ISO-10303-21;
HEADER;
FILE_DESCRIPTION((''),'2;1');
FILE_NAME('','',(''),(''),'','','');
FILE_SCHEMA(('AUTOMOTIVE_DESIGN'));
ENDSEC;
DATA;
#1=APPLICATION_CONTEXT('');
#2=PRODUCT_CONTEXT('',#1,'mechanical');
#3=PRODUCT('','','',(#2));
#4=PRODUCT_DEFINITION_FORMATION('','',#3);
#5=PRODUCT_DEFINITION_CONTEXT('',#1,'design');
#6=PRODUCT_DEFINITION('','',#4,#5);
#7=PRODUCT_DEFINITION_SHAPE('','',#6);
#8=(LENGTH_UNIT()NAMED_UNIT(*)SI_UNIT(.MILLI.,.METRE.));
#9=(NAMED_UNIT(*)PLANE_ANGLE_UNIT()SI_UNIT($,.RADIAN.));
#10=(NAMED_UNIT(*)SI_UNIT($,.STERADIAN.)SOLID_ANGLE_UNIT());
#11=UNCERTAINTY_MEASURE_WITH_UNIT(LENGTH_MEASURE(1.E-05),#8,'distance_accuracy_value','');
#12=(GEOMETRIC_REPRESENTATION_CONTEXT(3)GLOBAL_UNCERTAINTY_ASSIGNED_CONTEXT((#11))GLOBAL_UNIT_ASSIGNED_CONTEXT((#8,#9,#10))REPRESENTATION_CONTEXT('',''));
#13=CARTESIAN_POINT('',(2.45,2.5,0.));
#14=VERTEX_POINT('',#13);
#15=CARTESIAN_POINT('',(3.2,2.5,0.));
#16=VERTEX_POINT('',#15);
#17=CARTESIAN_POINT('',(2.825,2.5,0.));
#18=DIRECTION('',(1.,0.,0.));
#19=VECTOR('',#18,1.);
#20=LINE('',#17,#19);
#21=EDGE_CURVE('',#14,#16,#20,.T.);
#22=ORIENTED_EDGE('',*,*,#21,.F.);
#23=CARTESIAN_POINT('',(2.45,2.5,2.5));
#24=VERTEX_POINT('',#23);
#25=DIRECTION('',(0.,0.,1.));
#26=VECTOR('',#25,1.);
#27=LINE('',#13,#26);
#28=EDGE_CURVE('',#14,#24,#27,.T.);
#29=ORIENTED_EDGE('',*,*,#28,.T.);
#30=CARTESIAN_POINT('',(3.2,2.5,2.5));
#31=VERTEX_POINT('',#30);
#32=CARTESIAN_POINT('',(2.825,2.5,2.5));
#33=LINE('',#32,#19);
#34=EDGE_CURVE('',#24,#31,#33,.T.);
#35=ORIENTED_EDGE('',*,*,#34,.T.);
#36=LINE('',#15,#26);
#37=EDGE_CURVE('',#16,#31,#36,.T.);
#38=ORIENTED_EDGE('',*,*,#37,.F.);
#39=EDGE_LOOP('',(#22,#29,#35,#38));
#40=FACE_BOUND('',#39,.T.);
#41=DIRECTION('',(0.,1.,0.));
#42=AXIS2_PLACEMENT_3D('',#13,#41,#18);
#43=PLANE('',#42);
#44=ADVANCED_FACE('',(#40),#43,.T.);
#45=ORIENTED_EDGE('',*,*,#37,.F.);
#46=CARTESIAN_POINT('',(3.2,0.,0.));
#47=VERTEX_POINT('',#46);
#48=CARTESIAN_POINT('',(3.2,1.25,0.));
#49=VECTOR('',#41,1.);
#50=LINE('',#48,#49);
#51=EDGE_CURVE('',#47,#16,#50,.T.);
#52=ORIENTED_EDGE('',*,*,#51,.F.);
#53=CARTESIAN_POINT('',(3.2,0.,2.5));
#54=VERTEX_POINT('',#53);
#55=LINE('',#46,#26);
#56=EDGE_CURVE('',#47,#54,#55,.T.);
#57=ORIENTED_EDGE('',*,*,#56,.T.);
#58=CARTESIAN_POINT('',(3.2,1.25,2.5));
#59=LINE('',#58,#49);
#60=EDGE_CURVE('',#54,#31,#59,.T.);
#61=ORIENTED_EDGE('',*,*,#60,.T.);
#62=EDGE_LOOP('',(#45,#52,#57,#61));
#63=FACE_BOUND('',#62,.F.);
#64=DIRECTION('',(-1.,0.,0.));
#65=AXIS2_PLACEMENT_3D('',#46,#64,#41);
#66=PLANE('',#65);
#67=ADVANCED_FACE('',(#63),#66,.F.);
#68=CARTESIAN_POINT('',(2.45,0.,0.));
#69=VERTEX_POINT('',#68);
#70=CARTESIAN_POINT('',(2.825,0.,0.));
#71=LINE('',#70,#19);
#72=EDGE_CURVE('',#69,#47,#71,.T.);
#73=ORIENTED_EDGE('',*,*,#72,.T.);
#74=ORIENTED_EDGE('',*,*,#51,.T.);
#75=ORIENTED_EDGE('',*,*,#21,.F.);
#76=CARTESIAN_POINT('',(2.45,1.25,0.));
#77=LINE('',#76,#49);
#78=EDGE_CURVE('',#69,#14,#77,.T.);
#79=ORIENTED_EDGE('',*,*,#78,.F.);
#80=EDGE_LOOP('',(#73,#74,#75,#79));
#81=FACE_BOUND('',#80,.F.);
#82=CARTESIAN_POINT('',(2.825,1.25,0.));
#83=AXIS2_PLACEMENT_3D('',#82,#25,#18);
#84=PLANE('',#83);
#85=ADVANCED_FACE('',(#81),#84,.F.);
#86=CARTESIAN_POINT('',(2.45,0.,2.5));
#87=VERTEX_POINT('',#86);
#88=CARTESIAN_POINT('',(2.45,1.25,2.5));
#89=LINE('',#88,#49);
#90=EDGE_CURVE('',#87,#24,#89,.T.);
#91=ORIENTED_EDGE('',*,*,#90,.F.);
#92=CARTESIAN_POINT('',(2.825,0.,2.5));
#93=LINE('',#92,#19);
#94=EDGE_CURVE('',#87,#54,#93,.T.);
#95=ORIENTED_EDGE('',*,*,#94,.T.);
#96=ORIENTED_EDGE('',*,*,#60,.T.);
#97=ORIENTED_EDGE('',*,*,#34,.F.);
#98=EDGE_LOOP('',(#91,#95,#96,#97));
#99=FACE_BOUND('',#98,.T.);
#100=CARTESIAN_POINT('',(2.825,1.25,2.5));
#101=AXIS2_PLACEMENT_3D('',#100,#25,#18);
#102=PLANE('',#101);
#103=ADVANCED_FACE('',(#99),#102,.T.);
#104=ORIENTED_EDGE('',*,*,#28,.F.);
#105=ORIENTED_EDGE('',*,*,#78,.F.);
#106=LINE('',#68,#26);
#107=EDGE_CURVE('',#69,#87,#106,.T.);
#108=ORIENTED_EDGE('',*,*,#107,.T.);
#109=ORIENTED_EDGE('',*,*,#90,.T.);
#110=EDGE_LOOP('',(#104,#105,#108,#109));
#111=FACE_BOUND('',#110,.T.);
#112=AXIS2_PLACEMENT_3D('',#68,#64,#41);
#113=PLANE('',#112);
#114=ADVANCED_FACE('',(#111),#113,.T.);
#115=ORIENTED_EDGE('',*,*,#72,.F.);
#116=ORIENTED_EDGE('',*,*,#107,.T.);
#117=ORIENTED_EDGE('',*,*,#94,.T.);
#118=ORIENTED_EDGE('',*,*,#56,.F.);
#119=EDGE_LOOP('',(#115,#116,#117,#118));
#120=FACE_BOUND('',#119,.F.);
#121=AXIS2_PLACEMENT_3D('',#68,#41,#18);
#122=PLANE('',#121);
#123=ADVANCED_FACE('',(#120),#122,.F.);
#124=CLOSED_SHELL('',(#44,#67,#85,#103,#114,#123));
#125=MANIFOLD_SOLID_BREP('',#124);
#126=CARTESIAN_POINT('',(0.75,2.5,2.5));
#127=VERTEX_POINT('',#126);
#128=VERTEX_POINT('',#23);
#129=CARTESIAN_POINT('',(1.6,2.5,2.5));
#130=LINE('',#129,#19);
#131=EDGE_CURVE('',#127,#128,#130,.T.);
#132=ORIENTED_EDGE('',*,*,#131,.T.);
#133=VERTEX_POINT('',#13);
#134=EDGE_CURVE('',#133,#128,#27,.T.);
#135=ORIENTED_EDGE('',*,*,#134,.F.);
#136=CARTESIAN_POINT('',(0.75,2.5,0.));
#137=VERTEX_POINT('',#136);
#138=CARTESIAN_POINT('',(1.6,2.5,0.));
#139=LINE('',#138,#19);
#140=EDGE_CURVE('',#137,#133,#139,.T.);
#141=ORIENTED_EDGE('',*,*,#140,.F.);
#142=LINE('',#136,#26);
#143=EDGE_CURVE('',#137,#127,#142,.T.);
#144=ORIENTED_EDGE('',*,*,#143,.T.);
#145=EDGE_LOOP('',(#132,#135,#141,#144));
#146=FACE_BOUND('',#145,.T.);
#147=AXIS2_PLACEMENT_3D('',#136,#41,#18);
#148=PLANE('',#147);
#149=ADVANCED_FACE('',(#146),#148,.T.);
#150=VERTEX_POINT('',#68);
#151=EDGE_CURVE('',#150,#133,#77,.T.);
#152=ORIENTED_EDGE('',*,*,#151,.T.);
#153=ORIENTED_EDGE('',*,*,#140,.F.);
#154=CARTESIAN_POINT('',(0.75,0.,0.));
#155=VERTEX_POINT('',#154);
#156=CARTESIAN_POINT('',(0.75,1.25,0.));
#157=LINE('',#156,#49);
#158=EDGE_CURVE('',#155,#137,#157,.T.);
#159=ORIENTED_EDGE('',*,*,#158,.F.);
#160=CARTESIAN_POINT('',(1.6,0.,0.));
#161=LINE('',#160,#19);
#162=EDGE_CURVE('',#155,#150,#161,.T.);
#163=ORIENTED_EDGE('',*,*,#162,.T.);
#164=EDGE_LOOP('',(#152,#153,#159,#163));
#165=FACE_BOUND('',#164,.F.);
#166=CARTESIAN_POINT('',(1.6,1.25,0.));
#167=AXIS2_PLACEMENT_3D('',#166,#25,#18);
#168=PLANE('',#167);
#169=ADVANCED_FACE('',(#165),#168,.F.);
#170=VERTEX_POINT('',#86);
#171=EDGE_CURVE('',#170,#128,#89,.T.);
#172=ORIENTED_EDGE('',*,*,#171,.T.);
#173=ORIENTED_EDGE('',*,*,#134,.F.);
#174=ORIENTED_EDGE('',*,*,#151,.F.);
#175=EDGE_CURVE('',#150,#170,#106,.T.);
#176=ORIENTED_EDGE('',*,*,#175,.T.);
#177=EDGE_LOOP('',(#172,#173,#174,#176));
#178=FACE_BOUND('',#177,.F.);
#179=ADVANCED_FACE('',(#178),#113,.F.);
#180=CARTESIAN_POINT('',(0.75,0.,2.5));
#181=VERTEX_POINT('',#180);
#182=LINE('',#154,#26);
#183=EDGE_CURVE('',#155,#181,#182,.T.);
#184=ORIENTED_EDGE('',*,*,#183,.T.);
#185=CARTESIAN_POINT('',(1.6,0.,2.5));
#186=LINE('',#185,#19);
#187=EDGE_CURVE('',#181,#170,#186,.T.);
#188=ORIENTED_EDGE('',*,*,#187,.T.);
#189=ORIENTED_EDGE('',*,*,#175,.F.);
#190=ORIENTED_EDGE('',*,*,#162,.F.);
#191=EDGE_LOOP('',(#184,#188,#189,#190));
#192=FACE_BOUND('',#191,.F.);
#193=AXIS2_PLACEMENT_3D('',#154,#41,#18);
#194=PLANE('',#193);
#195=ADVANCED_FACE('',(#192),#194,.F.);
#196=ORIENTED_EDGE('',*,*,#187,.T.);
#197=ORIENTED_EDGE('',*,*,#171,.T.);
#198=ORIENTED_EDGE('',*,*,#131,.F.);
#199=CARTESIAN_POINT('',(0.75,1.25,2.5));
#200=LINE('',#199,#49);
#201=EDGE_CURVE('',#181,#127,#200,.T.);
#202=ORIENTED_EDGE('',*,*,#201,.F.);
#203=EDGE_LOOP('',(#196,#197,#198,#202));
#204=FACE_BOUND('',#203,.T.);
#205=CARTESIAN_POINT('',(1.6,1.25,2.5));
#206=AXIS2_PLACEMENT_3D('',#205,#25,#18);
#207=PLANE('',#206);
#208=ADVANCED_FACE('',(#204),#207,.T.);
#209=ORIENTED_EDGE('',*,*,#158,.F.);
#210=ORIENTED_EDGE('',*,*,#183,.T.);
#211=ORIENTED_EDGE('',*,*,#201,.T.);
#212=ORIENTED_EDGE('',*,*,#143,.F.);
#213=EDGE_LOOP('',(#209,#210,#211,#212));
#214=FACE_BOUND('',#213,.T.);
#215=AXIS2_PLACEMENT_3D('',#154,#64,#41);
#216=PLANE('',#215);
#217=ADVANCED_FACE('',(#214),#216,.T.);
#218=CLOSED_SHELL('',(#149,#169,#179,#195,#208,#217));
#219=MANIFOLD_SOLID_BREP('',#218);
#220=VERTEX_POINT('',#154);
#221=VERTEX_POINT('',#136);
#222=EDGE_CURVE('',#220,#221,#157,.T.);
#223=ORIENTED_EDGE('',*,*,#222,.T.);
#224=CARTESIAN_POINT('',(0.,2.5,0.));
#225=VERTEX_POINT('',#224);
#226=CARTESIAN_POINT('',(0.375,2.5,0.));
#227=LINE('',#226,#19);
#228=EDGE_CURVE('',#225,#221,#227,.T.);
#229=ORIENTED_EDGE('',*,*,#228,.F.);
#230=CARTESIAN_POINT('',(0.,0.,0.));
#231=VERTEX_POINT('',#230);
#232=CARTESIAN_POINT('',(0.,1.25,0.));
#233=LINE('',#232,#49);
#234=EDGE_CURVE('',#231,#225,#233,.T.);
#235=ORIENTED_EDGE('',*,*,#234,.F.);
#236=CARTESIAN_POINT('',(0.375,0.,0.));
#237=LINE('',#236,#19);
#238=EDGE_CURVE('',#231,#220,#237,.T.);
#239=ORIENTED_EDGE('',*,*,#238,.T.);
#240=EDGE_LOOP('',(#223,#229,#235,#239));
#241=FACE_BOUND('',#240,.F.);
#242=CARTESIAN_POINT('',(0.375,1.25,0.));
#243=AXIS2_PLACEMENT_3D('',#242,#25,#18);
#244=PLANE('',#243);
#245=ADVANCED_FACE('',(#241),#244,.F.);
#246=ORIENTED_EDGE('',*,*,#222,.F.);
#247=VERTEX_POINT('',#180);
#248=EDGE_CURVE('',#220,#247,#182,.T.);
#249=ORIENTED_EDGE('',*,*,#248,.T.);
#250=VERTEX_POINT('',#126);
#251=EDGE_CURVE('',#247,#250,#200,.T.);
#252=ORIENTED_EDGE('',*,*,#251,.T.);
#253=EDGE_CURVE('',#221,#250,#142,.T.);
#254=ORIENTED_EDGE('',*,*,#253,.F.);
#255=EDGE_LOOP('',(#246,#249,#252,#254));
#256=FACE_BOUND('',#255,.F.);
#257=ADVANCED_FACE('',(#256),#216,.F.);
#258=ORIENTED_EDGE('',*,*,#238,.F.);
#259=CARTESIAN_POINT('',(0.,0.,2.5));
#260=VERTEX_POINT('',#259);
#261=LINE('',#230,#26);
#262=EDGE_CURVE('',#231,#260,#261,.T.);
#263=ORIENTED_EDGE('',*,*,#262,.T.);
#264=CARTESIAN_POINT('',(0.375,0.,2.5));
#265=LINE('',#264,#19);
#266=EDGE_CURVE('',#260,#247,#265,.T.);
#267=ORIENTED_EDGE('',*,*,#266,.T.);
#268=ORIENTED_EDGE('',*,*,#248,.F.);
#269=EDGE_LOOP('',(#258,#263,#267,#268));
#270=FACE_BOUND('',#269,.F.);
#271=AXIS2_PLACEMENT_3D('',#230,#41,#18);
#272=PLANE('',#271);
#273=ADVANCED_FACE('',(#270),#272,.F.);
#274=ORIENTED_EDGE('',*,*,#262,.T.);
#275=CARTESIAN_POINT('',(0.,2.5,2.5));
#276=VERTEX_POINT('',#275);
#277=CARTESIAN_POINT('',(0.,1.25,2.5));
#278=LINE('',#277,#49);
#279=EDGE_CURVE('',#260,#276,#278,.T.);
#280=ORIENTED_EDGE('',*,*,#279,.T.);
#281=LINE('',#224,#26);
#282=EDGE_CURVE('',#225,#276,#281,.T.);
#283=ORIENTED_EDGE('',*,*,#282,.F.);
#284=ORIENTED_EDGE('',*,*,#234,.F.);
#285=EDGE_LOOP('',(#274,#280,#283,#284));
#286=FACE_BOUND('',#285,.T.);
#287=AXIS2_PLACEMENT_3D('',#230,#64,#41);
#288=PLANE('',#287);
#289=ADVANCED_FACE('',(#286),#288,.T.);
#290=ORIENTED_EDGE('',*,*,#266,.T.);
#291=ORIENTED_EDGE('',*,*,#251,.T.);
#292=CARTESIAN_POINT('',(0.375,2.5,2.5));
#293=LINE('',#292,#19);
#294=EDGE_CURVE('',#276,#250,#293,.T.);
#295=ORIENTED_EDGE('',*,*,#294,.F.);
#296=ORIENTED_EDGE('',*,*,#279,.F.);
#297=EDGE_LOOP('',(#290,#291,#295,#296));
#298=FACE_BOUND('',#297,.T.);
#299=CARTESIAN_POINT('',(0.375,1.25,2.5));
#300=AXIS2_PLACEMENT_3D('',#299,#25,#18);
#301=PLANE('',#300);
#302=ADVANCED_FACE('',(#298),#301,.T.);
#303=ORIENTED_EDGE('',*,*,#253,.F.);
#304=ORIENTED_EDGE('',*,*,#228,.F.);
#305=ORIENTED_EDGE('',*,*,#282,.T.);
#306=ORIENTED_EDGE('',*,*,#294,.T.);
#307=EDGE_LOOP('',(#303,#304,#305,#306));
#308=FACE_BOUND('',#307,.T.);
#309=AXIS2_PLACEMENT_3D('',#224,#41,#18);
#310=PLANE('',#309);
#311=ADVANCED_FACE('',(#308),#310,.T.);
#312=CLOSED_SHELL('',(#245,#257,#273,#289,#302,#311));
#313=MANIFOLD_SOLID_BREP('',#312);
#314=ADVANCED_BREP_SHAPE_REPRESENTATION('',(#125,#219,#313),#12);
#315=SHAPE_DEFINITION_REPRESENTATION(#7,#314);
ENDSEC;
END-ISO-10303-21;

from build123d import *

# Parameters (mm, degrees)
BOX_W        = 0.75
BOX_H        = 2.5
BOX_DEPTH    = 2.5
BOX001_W     = 1.7
BOX001_H     = 2.5
BOX001_DEPTH = 2.5
BOX002_W     = 0.75
BOX002_H     = 2.5
BOX002_DEPTH = 2.5


with BuildPart() as pad001:
    # Box → Box (new body)
    with BuildSketch(Plane.XY):
        with Locations((0.375, 1.25)):
            Rectangle(BOX_W, BOX_H)
    extrude(amount=BOX_DEPTH)


with BuildPart() as corpo:
    # Box001 → Box001 (new body)
    with BuildSketch(Plane(origin=(0.75, 0, 0), x_dir=(1, 0, 0), z_dir=(0, 0, 1))):
        with Locations((0.85, 1.25)):
            Rectangle(BOX001_W, BOX001_H)
    extrude(amount=BOX001_DEPTH)


with BuildPart() as pad002:
    # Box002 → Box002 (new body)
    with BuildSketch(Plane(origin=(2.45, 0, 0), x_dir=(1, 0, 0), z_dir=(0, 0, 1))):
        with Locations((0.375, 1.25)):
            Rectangle(BOX002_W, BOX002_H)
    extrude(amount=BOX002_DEPTH)


solid = Compound([pad001.part, corpo.part, pad002.part])
